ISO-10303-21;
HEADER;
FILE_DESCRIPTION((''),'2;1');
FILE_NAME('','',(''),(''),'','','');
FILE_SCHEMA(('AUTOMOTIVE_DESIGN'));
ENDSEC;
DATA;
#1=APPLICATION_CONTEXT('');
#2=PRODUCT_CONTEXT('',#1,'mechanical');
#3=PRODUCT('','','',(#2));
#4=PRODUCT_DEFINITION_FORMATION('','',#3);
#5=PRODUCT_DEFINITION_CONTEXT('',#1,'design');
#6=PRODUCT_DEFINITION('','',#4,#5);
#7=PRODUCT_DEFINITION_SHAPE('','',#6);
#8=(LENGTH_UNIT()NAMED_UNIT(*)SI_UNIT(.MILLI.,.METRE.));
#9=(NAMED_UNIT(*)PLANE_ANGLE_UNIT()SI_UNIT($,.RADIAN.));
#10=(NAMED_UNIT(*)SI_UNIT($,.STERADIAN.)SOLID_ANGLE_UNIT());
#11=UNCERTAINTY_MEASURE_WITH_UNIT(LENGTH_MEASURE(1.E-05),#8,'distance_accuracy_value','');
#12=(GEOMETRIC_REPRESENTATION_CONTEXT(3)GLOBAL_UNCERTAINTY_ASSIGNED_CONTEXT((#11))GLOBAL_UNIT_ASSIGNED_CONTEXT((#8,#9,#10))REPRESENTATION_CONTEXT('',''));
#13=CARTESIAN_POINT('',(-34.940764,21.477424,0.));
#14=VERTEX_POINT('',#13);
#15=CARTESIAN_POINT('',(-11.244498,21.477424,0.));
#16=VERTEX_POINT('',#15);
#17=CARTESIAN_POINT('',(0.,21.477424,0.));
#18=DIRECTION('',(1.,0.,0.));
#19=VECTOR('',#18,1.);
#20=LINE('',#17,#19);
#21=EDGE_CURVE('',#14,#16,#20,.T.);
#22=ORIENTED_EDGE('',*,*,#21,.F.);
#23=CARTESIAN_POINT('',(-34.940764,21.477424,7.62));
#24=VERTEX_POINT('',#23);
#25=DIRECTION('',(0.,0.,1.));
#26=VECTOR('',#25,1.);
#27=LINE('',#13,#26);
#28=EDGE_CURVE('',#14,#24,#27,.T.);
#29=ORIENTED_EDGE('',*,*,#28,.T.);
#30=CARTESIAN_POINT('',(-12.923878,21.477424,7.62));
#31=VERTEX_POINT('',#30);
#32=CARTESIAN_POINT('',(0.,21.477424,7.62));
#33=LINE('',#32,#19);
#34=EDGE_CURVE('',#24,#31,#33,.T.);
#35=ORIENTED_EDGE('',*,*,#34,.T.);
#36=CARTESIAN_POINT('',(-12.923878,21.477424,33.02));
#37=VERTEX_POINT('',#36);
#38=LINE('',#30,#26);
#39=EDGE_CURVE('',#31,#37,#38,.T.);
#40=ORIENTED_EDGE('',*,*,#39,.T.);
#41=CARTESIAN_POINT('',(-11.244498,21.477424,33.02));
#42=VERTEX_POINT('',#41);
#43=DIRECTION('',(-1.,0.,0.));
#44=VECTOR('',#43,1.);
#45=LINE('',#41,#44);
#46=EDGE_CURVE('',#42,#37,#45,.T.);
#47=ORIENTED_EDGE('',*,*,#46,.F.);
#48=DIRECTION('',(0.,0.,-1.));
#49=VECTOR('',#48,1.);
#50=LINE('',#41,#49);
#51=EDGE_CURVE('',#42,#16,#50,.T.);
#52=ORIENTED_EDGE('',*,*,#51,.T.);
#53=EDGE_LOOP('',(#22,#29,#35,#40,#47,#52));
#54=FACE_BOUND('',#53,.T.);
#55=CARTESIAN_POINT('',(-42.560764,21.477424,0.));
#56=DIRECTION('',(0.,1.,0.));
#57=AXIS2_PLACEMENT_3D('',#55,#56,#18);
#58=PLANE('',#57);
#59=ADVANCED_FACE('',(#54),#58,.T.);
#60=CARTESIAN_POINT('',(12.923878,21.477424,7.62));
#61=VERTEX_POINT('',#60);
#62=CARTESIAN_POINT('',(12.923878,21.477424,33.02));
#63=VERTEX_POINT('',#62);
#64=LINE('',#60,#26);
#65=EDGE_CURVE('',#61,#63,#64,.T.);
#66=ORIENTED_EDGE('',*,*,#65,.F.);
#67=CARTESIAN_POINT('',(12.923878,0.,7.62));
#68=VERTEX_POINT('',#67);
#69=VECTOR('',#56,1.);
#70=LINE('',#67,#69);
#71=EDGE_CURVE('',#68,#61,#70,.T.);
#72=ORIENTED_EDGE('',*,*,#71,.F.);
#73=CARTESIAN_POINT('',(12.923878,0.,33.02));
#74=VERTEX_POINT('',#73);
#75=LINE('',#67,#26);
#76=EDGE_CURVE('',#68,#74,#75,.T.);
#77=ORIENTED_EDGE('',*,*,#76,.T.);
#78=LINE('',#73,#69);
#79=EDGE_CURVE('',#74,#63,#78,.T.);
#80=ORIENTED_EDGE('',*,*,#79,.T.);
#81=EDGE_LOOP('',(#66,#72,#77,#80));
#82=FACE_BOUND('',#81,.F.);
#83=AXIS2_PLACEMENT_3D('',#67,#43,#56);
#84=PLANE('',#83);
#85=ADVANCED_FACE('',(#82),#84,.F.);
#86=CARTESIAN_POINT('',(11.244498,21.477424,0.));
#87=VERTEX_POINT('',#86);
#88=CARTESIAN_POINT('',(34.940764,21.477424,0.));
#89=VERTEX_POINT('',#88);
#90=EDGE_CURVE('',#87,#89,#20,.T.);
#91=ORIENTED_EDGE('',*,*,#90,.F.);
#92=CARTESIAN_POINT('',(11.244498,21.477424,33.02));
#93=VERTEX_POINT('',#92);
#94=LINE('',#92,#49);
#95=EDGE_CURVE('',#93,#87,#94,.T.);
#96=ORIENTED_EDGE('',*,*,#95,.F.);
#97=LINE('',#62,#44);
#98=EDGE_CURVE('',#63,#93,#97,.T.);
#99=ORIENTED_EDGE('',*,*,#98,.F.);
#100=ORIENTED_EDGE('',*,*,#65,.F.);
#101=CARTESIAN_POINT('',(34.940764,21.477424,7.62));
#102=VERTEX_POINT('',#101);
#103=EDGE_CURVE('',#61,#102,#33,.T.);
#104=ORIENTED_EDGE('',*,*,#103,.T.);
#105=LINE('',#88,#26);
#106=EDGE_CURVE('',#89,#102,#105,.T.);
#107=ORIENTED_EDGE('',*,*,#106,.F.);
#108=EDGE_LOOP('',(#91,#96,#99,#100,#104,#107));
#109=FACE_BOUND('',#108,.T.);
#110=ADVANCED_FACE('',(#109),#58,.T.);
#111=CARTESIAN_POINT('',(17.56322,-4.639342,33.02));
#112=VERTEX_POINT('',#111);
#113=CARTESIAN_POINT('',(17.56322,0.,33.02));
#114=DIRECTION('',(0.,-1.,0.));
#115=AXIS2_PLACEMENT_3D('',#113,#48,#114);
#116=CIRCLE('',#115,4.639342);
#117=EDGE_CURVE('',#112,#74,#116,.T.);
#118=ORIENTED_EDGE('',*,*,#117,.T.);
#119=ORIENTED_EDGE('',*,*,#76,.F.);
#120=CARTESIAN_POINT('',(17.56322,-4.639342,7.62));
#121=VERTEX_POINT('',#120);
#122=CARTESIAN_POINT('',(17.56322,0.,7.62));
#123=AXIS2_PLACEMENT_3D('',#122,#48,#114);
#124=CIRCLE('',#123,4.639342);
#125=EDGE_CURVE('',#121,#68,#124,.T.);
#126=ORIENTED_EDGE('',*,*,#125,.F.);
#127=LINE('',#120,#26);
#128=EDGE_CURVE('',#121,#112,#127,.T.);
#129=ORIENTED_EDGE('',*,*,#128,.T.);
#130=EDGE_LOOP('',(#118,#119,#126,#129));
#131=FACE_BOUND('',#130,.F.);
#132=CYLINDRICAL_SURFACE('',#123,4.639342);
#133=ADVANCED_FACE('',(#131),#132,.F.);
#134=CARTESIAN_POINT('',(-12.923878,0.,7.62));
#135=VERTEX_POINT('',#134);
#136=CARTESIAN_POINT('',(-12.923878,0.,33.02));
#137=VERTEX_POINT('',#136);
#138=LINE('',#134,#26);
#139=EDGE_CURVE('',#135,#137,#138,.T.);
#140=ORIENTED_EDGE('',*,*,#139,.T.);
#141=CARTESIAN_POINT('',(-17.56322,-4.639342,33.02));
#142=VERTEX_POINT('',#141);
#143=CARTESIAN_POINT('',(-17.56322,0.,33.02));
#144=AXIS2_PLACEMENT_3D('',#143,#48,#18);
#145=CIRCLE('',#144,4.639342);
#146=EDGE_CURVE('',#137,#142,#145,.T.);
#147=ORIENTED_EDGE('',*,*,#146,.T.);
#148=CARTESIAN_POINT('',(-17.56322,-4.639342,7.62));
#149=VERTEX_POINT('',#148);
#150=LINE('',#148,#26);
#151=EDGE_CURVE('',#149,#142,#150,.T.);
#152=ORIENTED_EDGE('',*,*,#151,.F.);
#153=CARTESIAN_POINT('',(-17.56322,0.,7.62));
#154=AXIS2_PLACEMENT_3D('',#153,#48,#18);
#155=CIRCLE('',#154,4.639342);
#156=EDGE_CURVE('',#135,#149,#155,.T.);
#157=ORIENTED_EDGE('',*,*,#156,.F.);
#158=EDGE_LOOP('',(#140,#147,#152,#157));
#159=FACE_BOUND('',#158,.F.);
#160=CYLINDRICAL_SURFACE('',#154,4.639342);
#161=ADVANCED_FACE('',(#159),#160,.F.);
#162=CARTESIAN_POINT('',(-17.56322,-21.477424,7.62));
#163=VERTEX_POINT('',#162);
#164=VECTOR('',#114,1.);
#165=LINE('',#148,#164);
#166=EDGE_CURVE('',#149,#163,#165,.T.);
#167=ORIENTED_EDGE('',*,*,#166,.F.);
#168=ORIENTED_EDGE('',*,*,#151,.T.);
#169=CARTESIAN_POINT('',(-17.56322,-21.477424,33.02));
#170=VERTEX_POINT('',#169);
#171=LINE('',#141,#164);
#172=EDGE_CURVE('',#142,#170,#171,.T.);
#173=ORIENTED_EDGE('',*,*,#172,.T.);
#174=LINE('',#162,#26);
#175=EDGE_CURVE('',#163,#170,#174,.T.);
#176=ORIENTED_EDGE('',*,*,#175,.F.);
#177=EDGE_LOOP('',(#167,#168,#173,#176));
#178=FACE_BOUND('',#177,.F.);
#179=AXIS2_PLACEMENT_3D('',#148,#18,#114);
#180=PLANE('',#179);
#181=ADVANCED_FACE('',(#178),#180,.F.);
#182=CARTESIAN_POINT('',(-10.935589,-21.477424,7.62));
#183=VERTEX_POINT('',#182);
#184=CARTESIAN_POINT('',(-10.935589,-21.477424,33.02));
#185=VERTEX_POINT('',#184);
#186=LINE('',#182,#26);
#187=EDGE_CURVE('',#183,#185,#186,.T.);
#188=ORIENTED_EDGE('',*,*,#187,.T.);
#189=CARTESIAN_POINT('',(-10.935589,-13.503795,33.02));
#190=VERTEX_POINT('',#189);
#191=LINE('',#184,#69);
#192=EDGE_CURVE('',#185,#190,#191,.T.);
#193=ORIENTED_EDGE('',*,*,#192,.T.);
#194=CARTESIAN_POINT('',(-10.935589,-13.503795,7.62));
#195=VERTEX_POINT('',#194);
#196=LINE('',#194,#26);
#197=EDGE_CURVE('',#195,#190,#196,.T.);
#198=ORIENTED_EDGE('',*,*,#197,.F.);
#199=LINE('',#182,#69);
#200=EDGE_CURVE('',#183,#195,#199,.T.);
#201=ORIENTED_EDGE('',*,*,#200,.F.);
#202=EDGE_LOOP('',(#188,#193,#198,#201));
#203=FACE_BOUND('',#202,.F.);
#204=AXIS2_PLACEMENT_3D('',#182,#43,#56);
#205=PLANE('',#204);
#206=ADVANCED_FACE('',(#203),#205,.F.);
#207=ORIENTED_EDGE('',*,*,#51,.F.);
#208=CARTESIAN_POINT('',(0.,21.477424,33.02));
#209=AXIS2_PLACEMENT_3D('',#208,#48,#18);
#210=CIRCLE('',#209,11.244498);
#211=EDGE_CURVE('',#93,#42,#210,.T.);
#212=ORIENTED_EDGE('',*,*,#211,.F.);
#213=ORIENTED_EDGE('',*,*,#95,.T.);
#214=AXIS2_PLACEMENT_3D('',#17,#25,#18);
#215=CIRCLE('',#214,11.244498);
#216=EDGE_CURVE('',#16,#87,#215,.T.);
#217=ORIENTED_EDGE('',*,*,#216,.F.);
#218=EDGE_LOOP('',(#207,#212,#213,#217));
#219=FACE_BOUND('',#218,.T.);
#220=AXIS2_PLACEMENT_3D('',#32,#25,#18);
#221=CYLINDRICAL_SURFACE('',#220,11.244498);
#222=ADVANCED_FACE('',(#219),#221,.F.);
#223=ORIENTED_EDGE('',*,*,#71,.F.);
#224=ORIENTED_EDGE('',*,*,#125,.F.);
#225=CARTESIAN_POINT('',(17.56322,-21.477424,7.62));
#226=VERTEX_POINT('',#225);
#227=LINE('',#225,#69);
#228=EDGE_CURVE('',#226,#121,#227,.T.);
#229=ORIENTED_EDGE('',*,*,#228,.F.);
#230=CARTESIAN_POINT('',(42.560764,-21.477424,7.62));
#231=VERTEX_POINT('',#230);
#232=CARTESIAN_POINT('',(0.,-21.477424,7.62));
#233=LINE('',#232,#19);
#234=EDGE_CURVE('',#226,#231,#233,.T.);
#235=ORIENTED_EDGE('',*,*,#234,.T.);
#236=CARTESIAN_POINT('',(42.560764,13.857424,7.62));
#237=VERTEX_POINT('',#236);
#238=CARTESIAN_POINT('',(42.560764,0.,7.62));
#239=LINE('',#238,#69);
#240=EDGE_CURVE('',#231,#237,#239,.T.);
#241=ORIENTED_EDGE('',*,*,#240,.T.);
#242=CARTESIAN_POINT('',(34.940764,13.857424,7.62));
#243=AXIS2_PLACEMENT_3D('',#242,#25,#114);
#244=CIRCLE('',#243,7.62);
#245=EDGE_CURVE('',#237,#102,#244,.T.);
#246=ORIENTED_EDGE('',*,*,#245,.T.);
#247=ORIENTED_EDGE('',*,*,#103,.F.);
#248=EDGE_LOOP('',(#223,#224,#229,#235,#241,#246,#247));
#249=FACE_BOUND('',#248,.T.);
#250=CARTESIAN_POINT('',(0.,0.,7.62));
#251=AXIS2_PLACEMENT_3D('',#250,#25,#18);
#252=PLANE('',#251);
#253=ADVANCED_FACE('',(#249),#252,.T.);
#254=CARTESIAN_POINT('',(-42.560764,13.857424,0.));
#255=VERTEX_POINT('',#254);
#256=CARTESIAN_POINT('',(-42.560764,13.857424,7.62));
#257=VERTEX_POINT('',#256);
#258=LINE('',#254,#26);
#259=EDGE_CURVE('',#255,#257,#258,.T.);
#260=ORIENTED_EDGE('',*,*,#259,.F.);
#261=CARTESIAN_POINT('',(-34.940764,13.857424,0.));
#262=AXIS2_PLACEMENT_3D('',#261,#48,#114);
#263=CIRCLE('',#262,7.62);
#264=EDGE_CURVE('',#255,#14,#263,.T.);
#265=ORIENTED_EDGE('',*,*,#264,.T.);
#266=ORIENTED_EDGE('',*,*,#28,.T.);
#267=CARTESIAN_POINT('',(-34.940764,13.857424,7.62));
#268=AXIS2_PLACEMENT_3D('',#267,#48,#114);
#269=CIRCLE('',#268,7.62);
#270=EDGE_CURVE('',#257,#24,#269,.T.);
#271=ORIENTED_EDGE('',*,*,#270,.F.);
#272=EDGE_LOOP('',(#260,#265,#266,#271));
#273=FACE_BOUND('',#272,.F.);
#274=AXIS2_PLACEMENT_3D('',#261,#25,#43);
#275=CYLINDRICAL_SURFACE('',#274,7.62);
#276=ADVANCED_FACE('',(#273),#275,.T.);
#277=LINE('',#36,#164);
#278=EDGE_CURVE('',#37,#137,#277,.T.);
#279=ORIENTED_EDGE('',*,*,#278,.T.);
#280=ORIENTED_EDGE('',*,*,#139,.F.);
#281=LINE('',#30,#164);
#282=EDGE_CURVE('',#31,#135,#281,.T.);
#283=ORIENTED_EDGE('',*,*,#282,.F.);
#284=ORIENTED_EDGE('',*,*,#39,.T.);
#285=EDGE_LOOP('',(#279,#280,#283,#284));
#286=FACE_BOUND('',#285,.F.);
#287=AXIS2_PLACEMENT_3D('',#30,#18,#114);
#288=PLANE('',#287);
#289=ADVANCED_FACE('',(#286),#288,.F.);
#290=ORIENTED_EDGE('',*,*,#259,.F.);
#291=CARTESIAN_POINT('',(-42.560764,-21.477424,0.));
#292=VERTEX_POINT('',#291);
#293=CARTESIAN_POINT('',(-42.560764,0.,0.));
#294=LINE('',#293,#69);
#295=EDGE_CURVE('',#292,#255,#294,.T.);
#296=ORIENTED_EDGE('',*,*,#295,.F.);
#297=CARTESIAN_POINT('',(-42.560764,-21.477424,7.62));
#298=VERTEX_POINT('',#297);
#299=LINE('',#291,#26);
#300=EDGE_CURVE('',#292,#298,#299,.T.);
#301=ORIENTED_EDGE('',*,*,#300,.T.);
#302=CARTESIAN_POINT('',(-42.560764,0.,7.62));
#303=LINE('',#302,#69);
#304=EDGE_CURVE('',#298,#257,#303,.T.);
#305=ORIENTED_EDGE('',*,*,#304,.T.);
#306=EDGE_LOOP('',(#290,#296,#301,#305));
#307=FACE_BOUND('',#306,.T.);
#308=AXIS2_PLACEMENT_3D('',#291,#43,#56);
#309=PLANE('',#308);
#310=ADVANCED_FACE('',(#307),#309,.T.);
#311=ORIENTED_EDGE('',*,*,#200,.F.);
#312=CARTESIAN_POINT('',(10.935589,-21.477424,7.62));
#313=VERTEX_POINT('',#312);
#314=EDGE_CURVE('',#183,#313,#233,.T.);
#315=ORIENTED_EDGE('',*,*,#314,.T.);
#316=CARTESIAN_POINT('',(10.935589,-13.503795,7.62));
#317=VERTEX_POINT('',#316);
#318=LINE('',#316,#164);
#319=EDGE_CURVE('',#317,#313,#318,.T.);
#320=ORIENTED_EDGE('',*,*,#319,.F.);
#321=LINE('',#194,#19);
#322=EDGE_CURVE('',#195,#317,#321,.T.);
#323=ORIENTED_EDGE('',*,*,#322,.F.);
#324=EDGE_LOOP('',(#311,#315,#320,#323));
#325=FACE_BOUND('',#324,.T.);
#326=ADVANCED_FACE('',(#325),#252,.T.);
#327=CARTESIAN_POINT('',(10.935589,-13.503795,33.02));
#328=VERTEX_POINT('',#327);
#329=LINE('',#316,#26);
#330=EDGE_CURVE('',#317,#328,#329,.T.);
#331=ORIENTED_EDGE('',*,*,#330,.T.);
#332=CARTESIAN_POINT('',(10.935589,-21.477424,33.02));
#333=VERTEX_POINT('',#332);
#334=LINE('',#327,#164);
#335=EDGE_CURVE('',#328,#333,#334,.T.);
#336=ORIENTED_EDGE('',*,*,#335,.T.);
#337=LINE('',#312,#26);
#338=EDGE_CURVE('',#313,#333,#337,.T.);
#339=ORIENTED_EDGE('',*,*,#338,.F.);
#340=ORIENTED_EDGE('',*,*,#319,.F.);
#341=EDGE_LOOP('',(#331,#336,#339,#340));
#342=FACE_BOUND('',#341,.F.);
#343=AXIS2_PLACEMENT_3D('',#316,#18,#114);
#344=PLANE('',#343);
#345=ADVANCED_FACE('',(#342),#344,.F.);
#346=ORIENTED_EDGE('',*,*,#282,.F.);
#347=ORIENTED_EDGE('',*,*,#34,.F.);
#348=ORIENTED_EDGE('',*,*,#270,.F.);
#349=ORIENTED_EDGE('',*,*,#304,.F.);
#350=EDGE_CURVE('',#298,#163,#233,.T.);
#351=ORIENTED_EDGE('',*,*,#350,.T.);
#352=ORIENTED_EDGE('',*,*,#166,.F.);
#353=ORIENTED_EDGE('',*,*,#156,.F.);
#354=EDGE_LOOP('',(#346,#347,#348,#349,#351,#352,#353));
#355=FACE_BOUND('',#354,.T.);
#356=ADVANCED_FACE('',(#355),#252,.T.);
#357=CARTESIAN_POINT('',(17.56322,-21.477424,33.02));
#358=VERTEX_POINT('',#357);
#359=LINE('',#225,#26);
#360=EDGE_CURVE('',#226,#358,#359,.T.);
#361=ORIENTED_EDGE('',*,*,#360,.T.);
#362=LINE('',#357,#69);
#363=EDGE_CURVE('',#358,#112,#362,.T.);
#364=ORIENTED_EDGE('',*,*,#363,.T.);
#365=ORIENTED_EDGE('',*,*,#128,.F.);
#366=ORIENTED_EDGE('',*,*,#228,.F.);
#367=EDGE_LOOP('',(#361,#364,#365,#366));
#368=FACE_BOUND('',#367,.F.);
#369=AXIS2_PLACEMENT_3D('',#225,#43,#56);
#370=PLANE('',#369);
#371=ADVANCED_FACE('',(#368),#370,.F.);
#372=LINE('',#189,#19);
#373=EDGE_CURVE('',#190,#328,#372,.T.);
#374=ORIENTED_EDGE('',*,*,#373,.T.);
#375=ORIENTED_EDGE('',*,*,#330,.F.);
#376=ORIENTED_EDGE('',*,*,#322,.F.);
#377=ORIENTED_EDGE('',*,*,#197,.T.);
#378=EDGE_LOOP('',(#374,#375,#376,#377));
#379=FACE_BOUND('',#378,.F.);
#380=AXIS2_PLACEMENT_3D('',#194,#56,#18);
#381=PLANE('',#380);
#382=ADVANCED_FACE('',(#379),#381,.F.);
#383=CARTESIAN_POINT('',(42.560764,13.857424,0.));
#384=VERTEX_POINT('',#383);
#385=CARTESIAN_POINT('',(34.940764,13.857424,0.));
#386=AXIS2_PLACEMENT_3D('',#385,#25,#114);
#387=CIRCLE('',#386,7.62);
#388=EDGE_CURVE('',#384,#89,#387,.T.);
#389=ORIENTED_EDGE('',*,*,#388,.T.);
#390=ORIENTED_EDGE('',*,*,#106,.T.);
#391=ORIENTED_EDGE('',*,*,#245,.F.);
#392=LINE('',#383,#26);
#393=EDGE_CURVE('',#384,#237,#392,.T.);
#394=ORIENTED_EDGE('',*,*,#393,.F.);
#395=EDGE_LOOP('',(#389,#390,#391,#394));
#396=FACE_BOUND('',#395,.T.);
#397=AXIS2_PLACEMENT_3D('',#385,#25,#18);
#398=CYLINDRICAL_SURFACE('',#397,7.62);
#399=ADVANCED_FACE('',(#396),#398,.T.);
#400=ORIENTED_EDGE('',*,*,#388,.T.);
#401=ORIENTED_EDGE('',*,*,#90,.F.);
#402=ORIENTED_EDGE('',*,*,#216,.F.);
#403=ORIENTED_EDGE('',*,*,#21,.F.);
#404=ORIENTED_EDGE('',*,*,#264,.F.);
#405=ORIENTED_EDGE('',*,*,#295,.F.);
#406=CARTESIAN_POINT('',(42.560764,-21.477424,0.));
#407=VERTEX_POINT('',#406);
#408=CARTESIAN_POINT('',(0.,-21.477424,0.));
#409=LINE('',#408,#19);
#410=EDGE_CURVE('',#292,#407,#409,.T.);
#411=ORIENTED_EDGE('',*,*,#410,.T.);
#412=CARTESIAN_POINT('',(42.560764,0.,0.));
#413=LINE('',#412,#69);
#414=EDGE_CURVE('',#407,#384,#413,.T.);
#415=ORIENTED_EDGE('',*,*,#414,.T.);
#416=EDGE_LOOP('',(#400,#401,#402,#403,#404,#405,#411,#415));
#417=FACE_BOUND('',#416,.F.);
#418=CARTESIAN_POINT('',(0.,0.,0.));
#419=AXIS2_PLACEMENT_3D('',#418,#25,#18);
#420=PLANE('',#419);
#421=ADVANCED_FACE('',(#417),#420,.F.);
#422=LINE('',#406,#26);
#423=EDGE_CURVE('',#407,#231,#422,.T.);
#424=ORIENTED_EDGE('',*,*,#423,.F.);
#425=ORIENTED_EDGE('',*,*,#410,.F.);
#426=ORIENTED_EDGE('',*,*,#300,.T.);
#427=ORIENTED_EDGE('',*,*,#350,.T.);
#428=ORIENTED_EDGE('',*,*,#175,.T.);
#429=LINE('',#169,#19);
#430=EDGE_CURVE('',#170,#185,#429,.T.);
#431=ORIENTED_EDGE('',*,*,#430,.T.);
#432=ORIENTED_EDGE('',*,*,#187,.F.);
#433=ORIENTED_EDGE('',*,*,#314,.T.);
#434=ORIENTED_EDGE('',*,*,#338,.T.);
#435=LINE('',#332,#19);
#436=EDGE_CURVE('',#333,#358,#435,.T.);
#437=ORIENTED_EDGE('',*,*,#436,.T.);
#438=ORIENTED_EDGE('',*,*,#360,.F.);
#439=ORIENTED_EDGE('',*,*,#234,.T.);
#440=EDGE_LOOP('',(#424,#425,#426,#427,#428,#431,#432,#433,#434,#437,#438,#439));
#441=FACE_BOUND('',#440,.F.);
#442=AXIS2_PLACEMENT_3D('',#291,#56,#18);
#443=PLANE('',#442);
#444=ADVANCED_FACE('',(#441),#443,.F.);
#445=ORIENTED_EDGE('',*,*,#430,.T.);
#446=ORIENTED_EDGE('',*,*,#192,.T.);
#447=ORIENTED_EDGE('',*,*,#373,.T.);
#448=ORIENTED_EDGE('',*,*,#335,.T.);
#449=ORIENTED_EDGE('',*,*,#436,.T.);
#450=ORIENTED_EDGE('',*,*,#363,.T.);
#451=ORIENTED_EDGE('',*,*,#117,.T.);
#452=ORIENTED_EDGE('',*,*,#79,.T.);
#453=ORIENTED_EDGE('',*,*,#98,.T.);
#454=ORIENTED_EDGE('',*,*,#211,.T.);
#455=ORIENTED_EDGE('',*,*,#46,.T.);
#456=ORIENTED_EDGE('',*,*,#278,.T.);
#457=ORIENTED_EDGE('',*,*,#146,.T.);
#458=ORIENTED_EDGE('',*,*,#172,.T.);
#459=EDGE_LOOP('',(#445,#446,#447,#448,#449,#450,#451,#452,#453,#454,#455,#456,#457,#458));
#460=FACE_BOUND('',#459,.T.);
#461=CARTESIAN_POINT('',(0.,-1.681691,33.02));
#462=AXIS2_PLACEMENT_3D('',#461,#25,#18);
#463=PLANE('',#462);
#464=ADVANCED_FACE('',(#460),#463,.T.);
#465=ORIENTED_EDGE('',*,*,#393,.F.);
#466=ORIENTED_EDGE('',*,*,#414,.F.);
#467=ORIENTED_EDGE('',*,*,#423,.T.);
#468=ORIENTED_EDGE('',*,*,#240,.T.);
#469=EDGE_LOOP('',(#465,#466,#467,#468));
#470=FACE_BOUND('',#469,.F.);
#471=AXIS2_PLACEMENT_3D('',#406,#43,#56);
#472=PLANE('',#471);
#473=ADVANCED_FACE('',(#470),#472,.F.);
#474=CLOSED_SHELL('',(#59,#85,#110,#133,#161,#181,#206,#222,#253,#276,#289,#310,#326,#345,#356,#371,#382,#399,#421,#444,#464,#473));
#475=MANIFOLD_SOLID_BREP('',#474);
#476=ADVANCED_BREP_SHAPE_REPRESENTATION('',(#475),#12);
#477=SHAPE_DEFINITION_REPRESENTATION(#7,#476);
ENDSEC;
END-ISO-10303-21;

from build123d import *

# Parameters (mm, degrees)
F0_W     = 85.1215273142
F0_H     = 42.9548472166
F1_DEPTH = 7.62
F2_R     = 7.62
F4_DEPTH = 25.4
F5_DEPTH = 25.4


with BuildPart() as f1:
    # F0 (on Top) → F1 (new body)
    with BuildSketch(Plane.XY):
        Rectangle(F0_W, F0_H)
    extrude(amount=F1_DEPTH)

    # F2
    f2_edges = [f1.edges().sort_by_distance(p)[0] for p in [
        (-42.560764, 21.477424, 3.81),
        (42.560764, 21.477424, 3.81),
    ]]
    fillet(f2_edges, radius=F2_R)

    # F3 (on face) → F4 (join)
    with BuildSketch(Plane.XY.offset(7.62)):
        with BuildLine():
            Line((12.9238776863, 21.4774236083), (11.2444977121, 21.4774236083))
            ThreePointArc((11.2444977121, 21.4774236083), (0, 10.2329258962), (-11.2444977121, 21.4774236083))
            Line((-11.2444977121, 21.4774236083), (-12.9238776863, 21.4774236083))
            Line((-12.9238776863, 21.4774236083), (-12.9238776863, 0))
            ThreePointArc((-12.9238776863, 0), (-14.282709623, -3.2805104906), (-17.5632201135, -4.6393424273))
            Line((-17.5632201135, -4.6393424273), (-17.5632201135, -21.4774236083))
            Line((-17.5632201135, -21.4774236083), (-10.9355887398, -21.4774236083))
            Line((-10.9355887398, -21.4774236083), (-10.9355887398, -13.5037954897))
            Line((-10.9355887398, -13.5037954897), (-3.6451956257, -13.5037954897))
            Line((-3.6451956257, -13.5037954897), (3.6451956257, -13.5037954897))
            Line((3.6451956257, -13.5037954897), (10.9355887398, -13.5037954897))
            Line((10.9355887398, -13.5037954897), (10.9355887398, -21.4774236083))
            Line((10.9355887398, -21.4774236083), (17.5632201135, -21.4774236083))
            Line((17.5632201135, -21.4774236083), (17.5632201135, -4.6393424273))
            ThreePointArc((17.5632201135, -4.6393424273), (14.282709623, -3.2805104906), (12.9238776863, 0))
            Line((12.9238776863, 0), (12.9238776863, 21.4774236083))
        make_face()
    extrude(amount=F4_DEPTH)

    # F5 (cut): a face of the model
    f5_faces = [f1.faces().sort_by_distance(p)[0] for p in [
        (0, 16.7051105591, 7.62),
    ]]
    extrude(f5_faces, amount=-F5_DEPTH, mode=Mode.SUBTRACT)


solid = f1.part
